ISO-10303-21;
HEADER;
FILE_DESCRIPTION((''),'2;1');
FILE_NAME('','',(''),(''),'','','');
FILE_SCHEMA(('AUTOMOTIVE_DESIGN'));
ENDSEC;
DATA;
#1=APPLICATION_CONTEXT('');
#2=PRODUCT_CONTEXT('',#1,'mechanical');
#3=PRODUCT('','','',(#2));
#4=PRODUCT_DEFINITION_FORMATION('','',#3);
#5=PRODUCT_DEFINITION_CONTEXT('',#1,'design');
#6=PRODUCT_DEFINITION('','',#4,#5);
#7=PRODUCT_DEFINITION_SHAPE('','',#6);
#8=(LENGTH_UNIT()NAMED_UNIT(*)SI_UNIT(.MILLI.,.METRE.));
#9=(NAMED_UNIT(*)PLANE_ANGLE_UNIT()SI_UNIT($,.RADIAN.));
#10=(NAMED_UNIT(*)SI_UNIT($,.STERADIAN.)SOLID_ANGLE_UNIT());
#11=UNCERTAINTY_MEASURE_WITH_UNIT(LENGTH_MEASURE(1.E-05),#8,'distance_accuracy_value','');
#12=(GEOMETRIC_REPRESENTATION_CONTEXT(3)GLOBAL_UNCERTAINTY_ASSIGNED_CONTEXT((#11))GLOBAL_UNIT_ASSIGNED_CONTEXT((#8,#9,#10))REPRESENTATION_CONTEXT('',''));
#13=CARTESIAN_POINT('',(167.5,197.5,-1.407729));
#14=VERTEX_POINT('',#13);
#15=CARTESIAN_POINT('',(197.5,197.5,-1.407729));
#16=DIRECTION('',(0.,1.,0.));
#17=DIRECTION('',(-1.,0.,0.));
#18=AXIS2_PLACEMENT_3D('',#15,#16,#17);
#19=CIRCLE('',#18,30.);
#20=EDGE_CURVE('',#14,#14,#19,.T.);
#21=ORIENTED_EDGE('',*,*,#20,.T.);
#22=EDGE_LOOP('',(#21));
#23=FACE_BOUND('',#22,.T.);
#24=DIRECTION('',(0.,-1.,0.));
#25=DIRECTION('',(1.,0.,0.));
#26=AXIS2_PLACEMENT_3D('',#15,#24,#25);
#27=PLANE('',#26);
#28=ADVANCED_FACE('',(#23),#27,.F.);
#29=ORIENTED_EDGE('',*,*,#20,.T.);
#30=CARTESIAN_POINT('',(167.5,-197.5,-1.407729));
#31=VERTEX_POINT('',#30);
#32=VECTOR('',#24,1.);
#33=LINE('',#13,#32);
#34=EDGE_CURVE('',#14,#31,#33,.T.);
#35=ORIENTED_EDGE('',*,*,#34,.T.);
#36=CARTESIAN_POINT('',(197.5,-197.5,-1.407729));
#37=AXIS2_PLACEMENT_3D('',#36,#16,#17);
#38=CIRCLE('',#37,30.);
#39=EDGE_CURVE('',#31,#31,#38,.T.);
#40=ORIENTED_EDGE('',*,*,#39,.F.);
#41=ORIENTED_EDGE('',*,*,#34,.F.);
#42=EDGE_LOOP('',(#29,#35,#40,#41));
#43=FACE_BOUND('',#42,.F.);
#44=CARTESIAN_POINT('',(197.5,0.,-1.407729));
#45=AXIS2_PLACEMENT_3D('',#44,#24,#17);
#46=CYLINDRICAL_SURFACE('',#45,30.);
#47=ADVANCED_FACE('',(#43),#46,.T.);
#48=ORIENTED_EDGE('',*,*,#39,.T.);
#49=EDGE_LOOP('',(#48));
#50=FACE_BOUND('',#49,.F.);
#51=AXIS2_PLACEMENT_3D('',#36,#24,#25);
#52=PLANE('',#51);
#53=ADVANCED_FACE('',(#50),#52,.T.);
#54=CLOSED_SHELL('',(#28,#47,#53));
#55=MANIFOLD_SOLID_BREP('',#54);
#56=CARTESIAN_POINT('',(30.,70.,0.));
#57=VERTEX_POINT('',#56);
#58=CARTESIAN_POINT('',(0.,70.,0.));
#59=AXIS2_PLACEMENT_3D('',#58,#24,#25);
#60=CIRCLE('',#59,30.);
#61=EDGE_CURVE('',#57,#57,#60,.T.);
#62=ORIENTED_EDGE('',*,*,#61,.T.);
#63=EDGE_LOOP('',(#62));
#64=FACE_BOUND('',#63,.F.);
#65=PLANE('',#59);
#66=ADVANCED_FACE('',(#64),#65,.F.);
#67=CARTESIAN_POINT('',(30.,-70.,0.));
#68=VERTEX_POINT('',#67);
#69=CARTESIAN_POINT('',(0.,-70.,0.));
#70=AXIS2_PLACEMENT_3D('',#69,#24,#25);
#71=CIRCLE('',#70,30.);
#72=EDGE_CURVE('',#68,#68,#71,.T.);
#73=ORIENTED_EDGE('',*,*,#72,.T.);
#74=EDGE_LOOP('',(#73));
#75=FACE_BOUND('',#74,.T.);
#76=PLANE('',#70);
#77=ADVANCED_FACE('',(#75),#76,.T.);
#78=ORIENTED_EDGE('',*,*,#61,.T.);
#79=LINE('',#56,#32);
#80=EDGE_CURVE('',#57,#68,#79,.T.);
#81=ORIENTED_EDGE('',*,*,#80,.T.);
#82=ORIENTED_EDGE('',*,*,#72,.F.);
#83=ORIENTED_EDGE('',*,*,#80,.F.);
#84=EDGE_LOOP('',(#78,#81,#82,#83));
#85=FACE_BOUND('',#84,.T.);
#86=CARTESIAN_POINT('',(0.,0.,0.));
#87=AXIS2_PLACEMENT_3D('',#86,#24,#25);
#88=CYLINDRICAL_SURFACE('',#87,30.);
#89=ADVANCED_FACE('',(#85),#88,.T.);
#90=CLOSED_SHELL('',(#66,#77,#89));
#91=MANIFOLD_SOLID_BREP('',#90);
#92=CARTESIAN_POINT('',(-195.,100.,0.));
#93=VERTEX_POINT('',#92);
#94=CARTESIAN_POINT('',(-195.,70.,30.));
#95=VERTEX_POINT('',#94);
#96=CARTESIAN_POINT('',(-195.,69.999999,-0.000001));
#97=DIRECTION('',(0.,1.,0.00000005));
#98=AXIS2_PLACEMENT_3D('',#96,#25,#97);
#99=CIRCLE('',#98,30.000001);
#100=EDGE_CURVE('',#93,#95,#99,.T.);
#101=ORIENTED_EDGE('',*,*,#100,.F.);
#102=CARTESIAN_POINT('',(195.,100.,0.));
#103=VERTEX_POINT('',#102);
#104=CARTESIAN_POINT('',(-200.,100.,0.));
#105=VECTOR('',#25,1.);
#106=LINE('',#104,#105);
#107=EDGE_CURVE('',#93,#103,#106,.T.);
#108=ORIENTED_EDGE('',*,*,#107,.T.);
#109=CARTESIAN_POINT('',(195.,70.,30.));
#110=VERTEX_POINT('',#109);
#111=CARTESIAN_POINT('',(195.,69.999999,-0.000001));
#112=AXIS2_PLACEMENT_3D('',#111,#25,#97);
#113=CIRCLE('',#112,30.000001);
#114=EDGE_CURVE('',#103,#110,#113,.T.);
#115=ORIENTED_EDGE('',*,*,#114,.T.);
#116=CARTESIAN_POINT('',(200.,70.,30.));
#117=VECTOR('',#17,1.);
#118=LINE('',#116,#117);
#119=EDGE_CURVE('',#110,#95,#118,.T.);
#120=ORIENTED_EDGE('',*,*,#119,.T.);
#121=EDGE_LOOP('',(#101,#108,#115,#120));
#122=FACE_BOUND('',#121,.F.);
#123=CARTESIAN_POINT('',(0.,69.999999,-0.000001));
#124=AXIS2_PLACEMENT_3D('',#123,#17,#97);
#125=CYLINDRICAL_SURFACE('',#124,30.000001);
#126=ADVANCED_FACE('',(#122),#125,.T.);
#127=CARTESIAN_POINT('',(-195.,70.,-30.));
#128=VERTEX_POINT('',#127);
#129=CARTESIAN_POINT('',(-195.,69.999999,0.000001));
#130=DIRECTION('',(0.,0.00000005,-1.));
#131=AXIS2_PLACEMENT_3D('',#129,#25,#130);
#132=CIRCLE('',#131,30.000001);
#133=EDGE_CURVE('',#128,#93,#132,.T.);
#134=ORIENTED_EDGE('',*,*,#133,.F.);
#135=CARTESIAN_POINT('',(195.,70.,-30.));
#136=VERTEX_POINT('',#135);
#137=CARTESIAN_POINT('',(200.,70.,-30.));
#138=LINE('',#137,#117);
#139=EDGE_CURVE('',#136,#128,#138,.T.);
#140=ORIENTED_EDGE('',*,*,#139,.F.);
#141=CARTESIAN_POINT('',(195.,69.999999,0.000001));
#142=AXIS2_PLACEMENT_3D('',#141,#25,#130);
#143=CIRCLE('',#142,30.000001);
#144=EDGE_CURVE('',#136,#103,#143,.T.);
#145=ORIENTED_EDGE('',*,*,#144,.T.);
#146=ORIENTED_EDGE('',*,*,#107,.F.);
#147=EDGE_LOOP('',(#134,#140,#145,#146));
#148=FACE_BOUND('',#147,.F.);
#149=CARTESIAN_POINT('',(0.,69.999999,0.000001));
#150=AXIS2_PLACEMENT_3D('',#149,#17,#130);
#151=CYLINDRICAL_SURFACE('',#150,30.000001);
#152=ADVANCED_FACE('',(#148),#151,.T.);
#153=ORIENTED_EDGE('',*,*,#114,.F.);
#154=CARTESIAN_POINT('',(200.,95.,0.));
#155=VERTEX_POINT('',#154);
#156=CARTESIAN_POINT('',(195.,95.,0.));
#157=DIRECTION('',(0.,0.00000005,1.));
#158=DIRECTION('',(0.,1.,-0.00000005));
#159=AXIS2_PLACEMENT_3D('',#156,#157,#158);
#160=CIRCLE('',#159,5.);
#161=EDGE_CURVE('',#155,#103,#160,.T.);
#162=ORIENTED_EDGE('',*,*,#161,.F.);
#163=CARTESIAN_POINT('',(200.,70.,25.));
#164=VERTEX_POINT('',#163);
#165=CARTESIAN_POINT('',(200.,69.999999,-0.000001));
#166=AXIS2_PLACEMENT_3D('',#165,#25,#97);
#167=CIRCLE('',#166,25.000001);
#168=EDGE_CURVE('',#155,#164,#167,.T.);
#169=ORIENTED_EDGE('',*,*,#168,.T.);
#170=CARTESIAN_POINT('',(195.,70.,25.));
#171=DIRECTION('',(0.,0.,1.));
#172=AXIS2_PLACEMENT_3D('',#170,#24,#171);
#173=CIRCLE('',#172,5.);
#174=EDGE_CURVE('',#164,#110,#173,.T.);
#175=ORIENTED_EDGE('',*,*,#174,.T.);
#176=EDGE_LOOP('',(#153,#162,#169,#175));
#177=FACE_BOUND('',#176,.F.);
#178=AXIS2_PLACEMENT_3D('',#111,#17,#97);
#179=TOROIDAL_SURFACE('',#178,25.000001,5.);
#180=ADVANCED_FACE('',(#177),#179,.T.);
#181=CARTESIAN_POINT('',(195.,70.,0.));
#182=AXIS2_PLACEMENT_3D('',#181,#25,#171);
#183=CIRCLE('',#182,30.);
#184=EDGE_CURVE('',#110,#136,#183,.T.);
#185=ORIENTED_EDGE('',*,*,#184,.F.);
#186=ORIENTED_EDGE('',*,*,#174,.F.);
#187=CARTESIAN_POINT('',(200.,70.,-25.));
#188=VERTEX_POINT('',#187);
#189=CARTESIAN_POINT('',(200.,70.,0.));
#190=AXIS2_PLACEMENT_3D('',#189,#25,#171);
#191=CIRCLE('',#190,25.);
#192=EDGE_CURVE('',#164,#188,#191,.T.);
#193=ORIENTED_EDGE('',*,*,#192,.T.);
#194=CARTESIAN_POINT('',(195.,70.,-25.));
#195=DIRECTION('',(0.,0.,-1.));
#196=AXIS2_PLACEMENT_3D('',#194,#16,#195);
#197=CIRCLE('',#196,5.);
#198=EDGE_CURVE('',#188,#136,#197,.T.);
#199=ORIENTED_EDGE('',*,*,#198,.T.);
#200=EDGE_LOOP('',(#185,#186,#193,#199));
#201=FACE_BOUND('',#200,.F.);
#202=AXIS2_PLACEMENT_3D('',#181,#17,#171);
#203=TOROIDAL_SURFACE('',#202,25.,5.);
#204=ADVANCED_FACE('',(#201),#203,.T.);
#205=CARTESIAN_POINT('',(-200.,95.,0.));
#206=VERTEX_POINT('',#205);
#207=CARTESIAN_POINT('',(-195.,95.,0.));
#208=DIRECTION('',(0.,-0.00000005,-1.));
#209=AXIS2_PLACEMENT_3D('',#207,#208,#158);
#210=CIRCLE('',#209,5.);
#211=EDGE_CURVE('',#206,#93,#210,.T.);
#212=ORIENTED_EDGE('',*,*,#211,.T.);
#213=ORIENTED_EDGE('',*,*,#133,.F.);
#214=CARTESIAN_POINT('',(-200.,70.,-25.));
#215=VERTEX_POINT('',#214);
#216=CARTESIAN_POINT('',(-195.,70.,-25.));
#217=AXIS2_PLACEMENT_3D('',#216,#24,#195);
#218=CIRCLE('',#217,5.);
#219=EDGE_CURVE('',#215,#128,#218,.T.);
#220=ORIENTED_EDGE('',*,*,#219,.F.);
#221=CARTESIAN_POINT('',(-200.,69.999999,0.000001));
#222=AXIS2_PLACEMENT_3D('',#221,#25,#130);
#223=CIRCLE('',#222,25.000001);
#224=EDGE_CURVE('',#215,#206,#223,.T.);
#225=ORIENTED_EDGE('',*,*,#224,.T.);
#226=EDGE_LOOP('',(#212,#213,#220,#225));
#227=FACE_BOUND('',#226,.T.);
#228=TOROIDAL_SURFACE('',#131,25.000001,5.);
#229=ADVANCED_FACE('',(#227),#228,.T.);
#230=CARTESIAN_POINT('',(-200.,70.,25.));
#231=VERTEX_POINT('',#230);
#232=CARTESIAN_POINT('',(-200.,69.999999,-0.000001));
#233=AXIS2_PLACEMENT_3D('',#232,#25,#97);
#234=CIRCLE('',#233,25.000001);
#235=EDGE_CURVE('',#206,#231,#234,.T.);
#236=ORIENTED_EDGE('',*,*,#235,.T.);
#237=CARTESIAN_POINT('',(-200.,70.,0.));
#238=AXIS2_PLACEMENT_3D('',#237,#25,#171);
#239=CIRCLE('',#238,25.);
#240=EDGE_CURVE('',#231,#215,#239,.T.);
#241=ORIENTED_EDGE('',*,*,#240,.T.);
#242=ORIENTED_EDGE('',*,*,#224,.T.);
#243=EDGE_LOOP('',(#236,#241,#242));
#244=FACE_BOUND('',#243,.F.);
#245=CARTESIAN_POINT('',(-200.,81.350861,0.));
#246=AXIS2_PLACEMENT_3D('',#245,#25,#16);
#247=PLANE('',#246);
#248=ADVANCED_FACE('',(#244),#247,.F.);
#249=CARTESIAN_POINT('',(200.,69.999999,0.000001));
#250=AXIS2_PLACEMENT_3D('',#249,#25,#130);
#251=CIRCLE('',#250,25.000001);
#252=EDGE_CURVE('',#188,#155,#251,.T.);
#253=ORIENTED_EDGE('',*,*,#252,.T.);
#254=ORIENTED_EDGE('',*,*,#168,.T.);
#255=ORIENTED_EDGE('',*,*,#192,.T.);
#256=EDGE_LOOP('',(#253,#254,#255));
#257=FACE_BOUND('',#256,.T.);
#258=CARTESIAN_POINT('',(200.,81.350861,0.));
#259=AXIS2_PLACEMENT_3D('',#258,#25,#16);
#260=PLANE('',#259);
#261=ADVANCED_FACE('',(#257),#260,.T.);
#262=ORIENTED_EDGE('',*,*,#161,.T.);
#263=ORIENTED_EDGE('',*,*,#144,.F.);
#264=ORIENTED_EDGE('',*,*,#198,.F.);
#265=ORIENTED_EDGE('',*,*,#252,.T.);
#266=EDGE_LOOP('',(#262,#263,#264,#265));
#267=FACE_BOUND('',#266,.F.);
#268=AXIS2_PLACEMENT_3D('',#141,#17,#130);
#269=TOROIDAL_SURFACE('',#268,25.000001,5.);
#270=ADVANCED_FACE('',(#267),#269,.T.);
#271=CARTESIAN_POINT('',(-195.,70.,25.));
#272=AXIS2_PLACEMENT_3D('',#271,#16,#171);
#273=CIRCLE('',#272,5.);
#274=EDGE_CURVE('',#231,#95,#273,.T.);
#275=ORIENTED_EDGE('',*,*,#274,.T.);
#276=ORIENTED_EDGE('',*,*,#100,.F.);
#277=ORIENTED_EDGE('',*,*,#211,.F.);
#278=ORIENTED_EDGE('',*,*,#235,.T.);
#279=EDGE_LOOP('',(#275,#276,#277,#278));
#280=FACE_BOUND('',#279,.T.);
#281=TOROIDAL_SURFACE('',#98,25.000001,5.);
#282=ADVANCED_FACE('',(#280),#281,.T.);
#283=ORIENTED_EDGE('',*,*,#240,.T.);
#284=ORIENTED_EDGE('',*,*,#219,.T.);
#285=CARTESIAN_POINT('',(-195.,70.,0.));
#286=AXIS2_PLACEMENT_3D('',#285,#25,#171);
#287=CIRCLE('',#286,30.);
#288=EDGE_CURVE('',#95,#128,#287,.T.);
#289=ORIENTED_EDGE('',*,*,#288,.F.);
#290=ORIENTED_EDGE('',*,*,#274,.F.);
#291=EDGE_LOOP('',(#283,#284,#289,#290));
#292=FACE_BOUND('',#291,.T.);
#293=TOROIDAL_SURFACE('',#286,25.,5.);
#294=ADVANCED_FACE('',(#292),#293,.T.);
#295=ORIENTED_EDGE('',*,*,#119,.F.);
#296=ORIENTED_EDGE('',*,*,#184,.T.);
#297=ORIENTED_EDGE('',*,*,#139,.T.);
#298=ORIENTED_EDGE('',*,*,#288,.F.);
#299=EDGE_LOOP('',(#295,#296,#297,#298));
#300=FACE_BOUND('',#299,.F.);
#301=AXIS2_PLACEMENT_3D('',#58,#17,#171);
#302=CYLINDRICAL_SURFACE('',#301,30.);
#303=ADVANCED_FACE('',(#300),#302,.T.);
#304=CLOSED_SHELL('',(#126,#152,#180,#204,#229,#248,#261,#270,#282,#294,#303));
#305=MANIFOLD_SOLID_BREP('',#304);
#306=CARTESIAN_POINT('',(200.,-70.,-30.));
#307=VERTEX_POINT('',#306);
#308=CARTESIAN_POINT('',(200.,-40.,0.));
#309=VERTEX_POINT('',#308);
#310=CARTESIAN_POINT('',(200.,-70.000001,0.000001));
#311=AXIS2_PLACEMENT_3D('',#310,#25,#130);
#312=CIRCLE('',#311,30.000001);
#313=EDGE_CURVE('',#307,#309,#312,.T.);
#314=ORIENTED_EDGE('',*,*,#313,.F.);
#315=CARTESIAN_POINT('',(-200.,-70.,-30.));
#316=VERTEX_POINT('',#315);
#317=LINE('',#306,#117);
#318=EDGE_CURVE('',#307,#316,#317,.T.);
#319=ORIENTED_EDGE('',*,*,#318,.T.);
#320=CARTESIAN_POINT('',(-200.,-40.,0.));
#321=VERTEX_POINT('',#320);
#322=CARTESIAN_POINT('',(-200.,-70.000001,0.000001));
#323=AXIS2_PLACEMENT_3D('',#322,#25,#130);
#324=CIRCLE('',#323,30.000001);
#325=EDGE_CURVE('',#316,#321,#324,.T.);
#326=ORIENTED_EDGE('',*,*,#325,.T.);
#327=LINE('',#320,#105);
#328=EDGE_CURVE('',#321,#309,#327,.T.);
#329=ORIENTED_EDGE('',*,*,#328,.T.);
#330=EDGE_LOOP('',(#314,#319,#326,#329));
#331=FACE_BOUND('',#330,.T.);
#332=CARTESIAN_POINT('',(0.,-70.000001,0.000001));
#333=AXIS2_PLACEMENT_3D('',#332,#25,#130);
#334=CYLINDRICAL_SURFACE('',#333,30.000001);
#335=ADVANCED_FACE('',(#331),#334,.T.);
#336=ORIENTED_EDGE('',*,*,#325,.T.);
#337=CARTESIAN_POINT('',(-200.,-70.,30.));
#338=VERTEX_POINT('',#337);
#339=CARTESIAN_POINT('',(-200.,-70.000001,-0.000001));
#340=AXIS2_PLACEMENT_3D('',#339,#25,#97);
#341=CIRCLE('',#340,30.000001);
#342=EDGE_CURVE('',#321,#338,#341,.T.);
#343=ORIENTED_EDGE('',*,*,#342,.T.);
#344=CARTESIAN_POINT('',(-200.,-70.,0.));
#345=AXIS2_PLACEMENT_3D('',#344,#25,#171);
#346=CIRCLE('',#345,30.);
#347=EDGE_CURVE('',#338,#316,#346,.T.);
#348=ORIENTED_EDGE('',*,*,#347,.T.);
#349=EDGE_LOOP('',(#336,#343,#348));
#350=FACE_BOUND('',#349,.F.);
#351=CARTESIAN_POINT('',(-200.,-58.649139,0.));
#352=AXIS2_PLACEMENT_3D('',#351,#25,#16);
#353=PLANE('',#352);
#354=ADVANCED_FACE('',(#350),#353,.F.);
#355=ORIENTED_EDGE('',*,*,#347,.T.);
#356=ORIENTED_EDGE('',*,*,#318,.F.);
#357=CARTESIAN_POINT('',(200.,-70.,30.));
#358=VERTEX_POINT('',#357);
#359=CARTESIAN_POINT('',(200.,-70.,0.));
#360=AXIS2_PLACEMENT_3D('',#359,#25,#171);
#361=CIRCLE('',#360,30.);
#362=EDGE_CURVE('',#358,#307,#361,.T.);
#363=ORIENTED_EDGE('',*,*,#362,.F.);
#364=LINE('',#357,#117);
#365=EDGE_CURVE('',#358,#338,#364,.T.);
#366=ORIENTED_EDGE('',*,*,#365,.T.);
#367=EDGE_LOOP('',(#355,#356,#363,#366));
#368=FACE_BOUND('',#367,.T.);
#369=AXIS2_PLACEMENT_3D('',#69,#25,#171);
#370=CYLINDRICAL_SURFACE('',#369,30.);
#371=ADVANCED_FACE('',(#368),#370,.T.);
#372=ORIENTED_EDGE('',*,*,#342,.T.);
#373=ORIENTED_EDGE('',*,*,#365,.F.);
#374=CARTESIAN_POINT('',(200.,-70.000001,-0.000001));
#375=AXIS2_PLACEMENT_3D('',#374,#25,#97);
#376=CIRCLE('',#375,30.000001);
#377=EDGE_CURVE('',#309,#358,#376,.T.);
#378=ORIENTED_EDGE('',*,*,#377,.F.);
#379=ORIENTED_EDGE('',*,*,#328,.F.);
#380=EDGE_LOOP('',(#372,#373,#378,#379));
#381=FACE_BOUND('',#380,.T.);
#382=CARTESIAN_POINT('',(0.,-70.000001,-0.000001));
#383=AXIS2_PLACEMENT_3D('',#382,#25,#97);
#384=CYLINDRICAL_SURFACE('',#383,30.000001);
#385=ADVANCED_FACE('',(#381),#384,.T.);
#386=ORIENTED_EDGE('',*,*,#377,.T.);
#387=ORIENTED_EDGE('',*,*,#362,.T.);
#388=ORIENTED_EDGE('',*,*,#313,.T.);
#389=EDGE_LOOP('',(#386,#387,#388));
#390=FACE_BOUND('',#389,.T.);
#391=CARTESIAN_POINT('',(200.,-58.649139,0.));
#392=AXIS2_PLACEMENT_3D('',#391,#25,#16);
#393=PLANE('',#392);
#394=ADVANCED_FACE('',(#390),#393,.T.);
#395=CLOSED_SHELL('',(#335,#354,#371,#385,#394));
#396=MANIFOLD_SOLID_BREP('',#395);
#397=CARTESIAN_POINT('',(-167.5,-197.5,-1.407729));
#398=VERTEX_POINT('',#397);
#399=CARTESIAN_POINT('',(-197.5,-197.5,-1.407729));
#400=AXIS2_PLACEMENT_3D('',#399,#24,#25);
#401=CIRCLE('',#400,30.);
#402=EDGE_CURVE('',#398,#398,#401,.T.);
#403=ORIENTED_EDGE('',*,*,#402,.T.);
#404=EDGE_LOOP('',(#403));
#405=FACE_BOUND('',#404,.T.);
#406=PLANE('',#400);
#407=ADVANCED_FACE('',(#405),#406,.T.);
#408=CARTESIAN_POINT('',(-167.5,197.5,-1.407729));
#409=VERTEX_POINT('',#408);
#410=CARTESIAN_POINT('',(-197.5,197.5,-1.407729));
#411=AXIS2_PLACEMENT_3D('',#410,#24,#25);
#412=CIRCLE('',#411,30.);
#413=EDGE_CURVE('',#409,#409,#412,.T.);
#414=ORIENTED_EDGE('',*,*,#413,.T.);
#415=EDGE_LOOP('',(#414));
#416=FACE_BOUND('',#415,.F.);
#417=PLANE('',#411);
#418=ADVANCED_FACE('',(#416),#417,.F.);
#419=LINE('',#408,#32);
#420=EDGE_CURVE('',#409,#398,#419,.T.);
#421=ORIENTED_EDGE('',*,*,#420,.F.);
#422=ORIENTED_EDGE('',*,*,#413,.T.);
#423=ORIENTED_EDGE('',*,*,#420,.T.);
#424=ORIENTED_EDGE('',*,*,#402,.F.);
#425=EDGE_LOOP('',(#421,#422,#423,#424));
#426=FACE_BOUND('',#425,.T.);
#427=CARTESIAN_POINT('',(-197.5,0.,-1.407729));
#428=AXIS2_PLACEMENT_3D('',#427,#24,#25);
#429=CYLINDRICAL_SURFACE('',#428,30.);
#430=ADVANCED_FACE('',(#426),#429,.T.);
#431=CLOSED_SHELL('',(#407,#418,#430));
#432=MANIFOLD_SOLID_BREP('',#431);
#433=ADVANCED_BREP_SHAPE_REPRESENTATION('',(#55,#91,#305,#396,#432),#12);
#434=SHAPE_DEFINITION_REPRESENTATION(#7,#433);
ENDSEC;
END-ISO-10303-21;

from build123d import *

# Parameters (mm, degrees)
F0_R     = 30
F1_DEPTH = 197.5
F2_DEPTH = 70
F5_DEPTH = 200
F6_R     = 5


with BuildPart() as f1:
    # F0 (on Front) → F1 (new body, symmetric)
    with BuildSketch(Plane.XZ):
        with Locations((-197.5, -1.407729)):
            Circle(F0_R)
    extrude(amount=F1_DEPTH, both=True)


with BuildPart() as f2:
    # F0 (on Front) → F2 (new body, symmetric)
    with BuildSketch(Plane.XZ):
        Circle(F0_R)
    extrude(amount=F2_DEPTH, both=True)


with BuildPart() as f3_1:
    # F3: instance of F1
    add(f1.part.mirror(Plane.YZ))


with BuildPart() as f5:
    # F4 (on Right) → F5 (new body, symmetric)
    with BuildSketch(Plane.YZ):
        with BuildLine():
            ThreePointArc((100, 0), (91.213203, 21.213203), (70, 30))
            Line((70, 30), (70, -30))
            ThreePointArc((70, -30), (91.213203, -21.213203), (100, 0))
        make_face()
        with BuildLine():
            Line((70, -30), (70, 30))
            ThreePointArc((70, 30), (40, 0), (70, -30))
        make_face()
        with BuildLine():
            Line((-70, 30), (-70, -30))
            ThreePointArc((-70, -30), (-48.786797, -21.213203), (-40, 0))
            ThreePointArc((-40, 0), (-48.786797, 21.213203), (-70, 30))
        make_face()
        with BuildLine():
            ThreePointArc((-70, 30), (-100, 0), (-70, -30))
            Line((-70, -30), (-70, 30))
        make_face()
    extrude(amount=F5_DEPTH, both=True)

    # F6
    f6_edges = [f5.edges().sort_by_distance(p)[0] for p in [
        (-100, 70, 30),
        (100, 70, 30),
        (-200, 40, 0),
        (100, 70, -30),
        (-100, 70, -30),
        (200, 40, 0),
    ]]
    fillet(f6_edges, radius=F6_R)


solid = Compound([f1.part, f2.part, f3_1.part, f5.part])
